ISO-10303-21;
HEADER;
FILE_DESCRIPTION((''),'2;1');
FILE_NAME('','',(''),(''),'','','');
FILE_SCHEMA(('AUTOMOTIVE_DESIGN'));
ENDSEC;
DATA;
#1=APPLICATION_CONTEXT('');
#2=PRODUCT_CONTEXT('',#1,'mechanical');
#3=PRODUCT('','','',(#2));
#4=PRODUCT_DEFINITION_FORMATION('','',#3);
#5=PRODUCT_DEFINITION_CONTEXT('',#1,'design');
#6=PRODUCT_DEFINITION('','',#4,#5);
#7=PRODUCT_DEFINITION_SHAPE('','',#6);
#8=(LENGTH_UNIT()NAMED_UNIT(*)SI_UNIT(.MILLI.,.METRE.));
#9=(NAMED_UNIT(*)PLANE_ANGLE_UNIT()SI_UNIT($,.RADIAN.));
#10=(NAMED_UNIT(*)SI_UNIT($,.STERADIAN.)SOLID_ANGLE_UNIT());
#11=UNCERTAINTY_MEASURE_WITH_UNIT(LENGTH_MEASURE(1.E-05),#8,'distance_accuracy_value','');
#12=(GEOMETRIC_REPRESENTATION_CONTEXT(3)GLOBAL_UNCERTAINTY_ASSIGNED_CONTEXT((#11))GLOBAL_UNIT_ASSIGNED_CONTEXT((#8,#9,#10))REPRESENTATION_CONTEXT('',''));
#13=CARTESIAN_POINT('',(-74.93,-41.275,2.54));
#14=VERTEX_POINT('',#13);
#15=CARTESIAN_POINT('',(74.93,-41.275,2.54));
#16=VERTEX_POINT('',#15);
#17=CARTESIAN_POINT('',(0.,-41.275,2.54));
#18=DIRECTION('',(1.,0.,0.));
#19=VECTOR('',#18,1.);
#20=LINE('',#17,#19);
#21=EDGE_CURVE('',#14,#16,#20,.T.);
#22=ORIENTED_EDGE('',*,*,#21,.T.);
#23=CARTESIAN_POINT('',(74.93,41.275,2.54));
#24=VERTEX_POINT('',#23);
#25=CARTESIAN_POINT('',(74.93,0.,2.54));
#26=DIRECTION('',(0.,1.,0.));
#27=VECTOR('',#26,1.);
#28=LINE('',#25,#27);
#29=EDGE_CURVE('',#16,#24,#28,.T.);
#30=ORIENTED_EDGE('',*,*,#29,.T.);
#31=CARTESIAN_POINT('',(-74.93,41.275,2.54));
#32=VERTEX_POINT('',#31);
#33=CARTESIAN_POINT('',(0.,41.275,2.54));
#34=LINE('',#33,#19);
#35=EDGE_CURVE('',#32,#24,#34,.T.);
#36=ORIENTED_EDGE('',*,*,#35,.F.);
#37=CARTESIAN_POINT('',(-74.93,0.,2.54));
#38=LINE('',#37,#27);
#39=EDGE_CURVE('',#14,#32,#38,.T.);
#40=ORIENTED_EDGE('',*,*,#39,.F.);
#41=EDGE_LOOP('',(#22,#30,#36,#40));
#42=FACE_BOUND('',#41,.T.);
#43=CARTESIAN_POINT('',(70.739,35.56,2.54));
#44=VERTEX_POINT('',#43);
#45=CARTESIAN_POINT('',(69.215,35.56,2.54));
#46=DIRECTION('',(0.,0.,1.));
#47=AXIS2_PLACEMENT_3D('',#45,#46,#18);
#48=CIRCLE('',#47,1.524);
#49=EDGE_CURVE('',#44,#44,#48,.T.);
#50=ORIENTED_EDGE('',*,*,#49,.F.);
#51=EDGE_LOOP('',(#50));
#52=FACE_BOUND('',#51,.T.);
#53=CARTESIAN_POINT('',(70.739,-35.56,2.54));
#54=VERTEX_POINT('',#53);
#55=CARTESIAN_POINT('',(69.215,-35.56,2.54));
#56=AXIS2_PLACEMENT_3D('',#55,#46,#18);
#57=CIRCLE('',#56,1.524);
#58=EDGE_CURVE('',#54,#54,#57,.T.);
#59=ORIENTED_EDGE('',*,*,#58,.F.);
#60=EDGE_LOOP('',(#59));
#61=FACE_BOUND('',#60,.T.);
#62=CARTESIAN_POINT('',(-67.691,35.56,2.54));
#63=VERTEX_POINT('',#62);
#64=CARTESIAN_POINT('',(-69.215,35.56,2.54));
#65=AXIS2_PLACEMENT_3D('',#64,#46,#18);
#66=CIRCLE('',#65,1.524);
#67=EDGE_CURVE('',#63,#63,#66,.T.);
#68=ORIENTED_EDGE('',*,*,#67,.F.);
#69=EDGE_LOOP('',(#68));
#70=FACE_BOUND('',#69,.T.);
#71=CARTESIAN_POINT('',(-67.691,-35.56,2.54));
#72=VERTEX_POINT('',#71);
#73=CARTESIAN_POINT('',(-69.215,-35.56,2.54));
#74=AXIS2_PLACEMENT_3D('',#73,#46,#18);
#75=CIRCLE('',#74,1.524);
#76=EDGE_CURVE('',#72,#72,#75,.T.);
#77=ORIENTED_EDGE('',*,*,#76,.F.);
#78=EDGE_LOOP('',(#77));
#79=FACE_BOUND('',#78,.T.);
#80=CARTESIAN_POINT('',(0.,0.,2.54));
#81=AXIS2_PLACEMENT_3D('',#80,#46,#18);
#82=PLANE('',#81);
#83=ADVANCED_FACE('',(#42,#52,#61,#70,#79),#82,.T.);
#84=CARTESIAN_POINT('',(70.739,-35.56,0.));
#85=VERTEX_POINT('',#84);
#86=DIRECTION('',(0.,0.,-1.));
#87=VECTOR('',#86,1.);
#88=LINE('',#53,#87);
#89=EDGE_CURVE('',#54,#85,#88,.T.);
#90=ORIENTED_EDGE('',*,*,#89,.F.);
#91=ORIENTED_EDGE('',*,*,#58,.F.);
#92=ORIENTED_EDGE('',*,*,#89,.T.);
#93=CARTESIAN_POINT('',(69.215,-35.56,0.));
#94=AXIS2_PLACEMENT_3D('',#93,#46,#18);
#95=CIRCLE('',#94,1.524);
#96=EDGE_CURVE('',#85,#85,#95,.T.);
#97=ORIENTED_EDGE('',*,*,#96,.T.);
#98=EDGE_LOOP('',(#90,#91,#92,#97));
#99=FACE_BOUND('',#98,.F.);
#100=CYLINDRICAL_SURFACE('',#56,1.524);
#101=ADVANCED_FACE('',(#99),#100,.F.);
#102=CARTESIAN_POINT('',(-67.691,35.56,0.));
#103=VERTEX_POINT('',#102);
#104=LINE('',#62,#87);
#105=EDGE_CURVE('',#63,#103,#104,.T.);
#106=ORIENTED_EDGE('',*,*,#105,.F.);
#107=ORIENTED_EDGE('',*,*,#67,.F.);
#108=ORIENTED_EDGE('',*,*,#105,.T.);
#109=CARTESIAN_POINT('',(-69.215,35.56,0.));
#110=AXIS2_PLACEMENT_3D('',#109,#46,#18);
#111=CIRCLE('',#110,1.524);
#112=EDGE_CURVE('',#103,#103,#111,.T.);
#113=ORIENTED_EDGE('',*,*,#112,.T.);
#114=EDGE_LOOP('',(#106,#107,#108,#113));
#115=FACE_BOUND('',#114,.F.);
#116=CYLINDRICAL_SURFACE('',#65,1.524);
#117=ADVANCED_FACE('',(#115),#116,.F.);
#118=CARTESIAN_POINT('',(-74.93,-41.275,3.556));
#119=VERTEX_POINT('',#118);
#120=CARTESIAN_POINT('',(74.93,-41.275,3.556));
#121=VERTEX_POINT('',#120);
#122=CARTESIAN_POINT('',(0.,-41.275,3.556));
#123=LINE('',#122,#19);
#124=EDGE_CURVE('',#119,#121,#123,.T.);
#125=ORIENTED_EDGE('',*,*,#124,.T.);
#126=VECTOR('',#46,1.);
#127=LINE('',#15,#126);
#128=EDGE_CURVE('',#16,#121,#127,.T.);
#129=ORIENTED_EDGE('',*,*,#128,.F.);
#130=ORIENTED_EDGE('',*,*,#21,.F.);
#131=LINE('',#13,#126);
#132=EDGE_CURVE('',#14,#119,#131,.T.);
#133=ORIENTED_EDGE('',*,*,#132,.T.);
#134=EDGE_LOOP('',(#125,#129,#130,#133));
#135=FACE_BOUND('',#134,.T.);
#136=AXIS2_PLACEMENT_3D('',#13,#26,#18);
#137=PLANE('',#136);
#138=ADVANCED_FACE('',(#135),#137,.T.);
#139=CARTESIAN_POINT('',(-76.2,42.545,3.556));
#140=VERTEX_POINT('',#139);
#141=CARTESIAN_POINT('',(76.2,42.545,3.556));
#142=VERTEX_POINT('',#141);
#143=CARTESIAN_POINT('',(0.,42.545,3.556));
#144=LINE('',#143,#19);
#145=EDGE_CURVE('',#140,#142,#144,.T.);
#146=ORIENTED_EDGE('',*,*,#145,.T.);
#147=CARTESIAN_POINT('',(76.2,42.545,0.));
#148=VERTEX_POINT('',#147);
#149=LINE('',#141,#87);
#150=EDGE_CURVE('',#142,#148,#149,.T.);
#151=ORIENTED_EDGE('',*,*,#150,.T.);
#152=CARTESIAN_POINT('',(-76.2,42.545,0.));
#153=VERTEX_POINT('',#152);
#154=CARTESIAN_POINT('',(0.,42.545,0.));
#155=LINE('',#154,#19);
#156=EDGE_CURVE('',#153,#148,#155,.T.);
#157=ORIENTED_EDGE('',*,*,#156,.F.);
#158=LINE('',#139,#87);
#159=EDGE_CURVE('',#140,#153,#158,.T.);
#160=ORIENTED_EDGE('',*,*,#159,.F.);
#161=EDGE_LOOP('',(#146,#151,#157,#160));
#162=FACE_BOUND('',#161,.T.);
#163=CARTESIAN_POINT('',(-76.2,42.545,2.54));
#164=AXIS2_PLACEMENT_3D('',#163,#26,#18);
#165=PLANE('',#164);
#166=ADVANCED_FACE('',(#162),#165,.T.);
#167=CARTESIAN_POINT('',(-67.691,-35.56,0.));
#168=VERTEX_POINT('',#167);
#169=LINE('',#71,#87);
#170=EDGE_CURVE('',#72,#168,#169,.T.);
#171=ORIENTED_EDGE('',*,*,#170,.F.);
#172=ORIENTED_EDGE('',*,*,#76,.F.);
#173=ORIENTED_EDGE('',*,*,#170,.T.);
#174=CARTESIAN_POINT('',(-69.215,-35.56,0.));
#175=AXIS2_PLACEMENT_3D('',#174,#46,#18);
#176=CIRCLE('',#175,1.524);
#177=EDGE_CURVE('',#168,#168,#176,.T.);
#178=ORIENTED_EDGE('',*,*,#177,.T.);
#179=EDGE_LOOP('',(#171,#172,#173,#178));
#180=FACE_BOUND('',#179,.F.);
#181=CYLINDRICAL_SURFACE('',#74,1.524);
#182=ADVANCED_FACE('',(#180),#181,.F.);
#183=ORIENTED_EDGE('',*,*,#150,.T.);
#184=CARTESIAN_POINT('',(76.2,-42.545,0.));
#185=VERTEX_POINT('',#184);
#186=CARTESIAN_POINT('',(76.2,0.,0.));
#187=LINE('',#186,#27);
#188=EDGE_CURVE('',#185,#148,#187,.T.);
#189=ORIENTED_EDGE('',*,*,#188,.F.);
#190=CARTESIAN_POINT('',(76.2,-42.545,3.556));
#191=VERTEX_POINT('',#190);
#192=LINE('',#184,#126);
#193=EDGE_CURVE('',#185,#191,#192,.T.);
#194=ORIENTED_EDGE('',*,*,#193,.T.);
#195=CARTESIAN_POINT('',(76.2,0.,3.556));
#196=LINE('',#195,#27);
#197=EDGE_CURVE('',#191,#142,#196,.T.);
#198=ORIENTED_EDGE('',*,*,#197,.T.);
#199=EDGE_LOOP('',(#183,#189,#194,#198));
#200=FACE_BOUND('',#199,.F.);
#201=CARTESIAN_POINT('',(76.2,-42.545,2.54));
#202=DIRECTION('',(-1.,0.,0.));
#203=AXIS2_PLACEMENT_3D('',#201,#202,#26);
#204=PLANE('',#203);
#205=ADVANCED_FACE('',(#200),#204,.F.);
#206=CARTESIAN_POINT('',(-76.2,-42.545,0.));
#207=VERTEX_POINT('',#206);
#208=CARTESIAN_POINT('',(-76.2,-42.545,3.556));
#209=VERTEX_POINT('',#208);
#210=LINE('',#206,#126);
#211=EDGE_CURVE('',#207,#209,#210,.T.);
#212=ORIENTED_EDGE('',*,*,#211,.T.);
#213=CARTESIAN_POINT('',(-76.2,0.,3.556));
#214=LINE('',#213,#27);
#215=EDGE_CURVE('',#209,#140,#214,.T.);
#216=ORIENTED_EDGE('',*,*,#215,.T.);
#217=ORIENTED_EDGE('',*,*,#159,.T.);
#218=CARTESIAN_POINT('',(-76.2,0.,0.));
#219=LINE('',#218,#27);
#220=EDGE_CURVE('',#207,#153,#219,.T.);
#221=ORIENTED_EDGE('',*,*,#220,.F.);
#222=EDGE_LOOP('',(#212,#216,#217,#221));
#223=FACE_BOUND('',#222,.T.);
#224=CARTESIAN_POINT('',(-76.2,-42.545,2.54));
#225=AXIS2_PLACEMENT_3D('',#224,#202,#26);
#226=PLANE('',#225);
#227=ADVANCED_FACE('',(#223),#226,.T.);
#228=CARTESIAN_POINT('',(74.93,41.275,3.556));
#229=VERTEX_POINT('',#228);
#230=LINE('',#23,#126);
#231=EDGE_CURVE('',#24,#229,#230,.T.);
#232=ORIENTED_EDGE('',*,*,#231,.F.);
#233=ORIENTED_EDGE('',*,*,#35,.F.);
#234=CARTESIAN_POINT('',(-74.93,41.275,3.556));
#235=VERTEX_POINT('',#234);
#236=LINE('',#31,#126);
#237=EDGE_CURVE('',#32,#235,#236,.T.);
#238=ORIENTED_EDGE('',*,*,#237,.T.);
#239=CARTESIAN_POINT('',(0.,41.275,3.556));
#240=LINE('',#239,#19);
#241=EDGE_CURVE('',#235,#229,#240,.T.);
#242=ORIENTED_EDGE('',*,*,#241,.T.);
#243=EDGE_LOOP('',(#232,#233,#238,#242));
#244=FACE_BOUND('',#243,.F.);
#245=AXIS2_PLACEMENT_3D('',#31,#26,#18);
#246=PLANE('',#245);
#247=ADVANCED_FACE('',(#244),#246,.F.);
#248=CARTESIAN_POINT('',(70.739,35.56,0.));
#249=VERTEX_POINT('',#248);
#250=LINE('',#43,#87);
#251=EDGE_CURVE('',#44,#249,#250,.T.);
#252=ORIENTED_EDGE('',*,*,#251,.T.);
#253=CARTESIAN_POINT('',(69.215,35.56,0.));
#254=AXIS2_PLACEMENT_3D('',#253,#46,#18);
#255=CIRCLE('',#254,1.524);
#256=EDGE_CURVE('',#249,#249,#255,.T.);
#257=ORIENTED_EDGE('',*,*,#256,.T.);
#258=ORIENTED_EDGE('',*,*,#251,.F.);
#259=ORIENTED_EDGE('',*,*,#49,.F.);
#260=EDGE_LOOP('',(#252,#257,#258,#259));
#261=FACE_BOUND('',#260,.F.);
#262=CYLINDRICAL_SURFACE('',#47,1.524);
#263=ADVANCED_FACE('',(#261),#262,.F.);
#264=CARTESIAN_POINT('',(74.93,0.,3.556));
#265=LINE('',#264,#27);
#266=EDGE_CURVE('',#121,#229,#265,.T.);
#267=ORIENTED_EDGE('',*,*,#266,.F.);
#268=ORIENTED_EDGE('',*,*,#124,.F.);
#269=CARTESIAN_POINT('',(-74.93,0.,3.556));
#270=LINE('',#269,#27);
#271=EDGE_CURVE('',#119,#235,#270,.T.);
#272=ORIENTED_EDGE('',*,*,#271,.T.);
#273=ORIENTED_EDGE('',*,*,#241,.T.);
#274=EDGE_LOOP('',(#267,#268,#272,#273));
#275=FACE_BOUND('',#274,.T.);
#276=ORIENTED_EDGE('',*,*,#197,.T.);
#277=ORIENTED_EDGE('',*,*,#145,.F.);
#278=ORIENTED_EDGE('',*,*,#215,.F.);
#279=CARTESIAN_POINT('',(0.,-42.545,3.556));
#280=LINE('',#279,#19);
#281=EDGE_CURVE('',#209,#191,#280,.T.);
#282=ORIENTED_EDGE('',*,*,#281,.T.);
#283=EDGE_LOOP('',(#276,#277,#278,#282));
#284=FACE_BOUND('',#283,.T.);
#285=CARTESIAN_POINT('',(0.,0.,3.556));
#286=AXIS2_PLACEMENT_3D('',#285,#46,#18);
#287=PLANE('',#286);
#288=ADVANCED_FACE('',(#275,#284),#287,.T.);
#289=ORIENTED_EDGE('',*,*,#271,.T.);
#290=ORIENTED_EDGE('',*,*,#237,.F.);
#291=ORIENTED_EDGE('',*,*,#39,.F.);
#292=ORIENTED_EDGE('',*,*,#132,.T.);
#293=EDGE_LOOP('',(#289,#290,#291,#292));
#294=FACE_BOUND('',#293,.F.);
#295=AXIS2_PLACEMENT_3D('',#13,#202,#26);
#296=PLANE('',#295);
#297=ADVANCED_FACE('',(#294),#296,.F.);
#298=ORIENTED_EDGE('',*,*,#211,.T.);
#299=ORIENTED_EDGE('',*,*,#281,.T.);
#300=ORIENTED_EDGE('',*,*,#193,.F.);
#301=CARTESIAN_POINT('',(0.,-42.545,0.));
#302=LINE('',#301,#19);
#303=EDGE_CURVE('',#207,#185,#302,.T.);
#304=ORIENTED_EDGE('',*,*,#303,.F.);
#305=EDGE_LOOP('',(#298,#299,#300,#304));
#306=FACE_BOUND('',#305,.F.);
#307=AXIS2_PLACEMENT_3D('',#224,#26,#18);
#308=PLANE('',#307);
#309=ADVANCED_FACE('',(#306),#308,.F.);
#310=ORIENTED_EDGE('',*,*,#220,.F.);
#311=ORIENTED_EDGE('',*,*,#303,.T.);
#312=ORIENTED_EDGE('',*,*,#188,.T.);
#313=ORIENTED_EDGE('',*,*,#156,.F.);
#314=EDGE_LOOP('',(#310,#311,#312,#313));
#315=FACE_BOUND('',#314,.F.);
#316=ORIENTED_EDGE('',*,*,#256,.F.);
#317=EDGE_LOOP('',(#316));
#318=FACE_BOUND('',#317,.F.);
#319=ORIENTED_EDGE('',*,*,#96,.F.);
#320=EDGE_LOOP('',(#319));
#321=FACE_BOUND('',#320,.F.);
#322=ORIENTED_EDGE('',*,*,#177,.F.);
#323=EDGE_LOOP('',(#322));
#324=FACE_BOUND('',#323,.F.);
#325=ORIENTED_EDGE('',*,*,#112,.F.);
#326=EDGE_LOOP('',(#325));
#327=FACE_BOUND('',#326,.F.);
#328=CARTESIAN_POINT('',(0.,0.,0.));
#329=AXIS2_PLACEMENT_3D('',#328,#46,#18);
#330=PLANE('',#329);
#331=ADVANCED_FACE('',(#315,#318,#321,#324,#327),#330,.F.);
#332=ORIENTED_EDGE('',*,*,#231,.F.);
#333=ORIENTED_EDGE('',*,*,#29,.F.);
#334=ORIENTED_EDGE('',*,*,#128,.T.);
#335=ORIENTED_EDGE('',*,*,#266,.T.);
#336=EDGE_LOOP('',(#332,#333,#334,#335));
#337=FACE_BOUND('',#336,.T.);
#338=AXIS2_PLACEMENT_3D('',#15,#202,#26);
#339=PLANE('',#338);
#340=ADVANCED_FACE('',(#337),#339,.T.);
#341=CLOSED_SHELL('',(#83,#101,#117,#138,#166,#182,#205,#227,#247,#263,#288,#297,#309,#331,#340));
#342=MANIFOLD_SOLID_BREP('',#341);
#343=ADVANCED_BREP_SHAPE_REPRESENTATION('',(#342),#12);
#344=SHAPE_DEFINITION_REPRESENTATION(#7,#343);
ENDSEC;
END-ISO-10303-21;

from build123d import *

# Parameters (mm, degrees)
F0_W     = 152.4
F0_H     = 85.09
F1_DEPTH = 2.54
F2_W     = 152.4
F2_H     = 85.09
F2_W_2   = 149.86
F2_H_2   = 82.55
F3_DEPTH = 1.016
F4_R     = 1.524
F5_DEPTH = 25.4


with BuildPart() as f1:
    # F0 (on Top) → F1 (new body)
    with BuildSketch(Plane.XY):
        Rectangle(F0_W, F0_H)
    extrude(amount=F1_DEPTH)

    # F2 (on face) → F3 (join)
    with BuildSketch(Plane.XY.offset(2.54)):
        Rectangle(F2_W, F2_H)
        Rectangle(F2_W_2, F2_H_2, mode=Mode.SUBTRACT)
    extrude(amount=F3_DEPTH)

    # F4 (on face) → F5 (cut)
    with BuildSketch(Plane.XY.offset(2.54)):
        with Locations((69.215, 35.56)):
            Circle(F4_R)
        with Locations((69.215, -35.56)):
            Circle(F4_R)
        with Locations((-69.215, 35.56)):
            Circle(F4_R)
        with Locations((-69.215, -35.56)):
            Circle(F4_R)
    extrude(amount=-F5_DEPTH, mode=Mode.SUBTRACT)


solid = f1.part
